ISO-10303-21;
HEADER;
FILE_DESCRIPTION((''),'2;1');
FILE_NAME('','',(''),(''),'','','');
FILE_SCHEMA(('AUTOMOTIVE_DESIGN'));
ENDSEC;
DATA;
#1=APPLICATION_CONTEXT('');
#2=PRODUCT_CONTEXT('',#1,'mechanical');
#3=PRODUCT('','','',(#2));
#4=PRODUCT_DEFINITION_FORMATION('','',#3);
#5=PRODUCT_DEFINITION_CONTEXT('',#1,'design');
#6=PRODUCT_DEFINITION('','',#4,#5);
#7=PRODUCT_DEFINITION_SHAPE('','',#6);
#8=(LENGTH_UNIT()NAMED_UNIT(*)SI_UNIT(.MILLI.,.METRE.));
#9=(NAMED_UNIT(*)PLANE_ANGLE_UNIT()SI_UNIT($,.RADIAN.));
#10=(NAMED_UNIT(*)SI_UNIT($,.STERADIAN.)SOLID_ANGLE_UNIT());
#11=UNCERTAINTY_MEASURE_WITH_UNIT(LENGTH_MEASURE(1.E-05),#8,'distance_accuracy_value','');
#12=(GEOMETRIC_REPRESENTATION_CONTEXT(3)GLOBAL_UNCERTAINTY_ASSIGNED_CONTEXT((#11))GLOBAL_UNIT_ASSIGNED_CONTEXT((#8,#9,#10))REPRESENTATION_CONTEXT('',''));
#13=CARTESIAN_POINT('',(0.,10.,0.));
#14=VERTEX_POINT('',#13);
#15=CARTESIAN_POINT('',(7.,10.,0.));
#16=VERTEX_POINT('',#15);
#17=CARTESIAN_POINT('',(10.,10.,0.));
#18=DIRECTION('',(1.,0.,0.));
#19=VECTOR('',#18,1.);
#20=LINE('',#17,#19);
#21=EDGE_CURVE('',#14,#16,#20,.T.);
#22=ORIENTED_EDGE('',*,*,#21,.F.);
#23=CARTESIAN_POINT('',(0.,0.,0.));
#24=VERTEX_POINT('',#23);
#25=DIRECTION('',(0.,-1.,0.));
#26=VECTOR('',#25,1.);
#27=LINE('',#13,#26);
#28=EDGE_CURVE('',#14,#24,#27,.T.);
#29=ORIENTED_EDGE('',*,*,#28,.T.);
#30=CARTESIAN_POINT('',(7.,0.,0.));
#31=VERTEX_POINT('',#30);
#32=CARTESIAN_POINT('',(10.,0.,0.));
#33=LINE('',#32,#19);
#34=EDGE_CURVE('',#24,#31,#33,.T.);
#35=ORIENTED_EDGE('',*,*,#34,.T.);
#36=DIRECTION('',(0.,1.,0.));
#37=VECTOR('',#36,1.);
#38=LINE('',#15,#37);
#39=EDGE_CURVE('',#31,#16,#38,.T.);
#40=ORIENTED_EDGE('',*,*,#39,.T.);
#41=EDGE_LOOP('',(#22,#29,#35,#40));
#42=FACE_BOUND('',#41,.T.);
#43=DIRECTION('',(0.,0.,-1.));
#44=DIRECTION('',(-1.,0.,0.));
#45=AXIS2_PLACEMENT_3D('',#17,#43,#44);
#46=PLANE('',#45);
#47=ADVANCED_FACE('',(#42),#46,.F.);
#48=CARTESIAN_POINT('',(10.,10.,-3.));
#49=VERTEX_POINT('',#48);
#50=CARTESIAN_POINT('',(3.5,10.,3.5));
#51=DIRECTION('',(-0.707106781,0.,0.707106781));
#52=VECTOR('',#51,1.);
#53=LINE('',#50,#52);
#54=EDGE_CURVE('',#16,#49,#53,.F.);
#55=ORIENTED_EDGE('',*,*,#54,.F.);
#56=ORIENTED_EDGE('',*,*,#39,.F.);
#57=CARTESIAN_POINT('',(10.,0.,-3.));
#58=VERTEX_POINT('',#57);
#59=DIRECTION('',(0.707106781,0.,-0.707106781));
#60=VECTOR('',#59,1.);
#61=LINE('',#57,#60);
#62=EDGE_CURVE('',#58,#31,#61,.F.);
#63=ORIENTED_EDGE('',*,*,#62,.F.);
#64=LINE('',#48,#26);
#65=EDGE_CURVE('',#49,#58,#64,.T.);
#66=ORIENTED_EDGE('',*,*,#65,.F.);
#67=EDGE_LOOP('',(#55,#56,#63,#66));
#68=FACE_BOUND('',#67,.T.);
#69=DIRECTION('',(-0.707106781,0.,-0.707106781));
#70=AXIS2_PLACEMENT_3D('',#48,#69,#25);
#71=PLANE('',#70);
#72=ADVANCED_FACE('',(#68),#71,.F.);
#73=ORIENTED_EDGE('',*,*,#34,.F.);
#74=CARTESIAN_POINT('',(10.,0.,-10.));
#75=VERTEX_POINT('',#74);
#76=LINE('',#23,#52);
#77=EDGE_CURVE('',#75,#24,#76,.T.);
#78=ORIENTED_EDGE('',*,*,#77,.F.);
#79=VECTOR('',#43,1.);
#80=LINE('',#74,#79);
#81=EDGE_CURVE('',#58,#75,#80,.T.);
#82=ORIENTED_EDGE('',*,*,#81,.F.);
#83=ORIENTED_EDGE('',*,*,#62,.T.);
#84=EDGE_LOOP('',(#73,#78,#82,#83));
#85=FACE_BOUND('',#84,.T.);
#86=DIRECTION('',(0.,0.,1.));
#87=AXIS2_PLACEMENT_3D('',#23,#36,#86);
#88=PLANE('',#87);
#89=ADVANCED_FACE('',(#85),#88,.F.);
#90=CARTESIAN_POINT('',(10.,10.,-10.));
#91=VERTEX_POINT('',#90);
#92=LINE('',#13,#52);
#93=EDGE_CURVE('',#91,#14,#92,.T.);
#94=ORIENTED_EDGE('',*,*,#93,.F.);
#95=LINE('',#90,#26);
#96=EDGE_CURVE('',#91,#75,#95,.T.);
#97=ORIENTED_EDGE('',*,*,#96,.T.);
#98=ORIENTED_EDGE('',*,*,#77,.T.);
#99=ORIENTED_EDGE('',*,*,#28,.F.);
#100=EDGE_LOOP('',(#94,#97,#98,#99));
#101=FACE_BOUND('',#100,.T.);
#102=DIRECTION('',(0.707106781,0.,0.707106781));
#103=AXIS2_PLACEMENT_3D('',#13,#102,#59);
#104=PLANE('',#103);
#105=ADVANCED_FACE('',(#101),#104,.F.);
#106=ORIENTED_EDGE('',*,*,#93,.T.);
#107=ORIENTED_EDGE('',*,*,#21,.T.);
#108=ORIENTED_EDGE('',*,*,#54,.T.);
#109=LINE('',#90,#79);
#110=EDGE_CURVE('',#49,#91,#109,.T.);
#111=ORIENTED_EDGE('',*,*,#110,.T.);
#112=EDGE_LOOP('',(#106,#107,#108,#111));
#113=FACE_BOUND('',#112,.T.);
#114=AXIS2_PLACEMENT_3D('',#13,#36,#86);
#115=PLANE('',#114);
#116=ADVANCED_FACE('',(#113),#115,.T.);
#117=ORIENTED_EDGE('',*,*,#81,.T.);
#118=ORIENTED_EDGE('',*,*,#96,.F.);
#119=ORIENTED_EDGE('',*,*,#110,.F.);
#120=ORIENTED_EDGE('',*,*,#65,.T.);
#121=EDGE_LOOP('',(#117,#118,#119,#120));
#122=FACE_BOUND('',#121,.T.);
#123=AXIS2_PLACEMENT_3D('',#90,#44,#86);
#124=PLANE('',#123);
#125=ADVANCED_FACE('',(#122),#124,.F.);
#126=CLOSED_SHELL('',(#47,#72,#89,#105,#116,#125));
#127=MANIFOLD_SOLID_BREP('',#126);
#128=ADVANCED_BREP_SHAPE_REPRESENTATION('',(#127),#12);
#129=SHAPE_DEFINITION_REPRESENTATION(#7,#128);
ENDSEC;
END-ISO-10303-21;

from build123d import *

# Parameters (mm, degrees)
BOSS_EXTRUDE1_DEPTH = 10
CHAMFER2_SIZE       = 3


with BuildPart() as part:
    # Sketch1 → Boss-Extrude1 (new body)
    with BuildSketch(Plane(origin=(0, 0, 0), x_dir=(1, 0, 0), z_dir=(0, 1, 0))):
        Polygon((0, 0), (10, 10), (10, 0), align=None)
    extrude(amount=BOSS_EXTRUDE1_DEPTH)

    # Chamfer2
    chamfer2_edges = [part.edges().sort_by_distance(p)[0] for p in [
        (10, 5, 0),
    ]]
    chamfer(chamfer2_edges, length=CHAMFER2_SIZE)


solid = part.part
